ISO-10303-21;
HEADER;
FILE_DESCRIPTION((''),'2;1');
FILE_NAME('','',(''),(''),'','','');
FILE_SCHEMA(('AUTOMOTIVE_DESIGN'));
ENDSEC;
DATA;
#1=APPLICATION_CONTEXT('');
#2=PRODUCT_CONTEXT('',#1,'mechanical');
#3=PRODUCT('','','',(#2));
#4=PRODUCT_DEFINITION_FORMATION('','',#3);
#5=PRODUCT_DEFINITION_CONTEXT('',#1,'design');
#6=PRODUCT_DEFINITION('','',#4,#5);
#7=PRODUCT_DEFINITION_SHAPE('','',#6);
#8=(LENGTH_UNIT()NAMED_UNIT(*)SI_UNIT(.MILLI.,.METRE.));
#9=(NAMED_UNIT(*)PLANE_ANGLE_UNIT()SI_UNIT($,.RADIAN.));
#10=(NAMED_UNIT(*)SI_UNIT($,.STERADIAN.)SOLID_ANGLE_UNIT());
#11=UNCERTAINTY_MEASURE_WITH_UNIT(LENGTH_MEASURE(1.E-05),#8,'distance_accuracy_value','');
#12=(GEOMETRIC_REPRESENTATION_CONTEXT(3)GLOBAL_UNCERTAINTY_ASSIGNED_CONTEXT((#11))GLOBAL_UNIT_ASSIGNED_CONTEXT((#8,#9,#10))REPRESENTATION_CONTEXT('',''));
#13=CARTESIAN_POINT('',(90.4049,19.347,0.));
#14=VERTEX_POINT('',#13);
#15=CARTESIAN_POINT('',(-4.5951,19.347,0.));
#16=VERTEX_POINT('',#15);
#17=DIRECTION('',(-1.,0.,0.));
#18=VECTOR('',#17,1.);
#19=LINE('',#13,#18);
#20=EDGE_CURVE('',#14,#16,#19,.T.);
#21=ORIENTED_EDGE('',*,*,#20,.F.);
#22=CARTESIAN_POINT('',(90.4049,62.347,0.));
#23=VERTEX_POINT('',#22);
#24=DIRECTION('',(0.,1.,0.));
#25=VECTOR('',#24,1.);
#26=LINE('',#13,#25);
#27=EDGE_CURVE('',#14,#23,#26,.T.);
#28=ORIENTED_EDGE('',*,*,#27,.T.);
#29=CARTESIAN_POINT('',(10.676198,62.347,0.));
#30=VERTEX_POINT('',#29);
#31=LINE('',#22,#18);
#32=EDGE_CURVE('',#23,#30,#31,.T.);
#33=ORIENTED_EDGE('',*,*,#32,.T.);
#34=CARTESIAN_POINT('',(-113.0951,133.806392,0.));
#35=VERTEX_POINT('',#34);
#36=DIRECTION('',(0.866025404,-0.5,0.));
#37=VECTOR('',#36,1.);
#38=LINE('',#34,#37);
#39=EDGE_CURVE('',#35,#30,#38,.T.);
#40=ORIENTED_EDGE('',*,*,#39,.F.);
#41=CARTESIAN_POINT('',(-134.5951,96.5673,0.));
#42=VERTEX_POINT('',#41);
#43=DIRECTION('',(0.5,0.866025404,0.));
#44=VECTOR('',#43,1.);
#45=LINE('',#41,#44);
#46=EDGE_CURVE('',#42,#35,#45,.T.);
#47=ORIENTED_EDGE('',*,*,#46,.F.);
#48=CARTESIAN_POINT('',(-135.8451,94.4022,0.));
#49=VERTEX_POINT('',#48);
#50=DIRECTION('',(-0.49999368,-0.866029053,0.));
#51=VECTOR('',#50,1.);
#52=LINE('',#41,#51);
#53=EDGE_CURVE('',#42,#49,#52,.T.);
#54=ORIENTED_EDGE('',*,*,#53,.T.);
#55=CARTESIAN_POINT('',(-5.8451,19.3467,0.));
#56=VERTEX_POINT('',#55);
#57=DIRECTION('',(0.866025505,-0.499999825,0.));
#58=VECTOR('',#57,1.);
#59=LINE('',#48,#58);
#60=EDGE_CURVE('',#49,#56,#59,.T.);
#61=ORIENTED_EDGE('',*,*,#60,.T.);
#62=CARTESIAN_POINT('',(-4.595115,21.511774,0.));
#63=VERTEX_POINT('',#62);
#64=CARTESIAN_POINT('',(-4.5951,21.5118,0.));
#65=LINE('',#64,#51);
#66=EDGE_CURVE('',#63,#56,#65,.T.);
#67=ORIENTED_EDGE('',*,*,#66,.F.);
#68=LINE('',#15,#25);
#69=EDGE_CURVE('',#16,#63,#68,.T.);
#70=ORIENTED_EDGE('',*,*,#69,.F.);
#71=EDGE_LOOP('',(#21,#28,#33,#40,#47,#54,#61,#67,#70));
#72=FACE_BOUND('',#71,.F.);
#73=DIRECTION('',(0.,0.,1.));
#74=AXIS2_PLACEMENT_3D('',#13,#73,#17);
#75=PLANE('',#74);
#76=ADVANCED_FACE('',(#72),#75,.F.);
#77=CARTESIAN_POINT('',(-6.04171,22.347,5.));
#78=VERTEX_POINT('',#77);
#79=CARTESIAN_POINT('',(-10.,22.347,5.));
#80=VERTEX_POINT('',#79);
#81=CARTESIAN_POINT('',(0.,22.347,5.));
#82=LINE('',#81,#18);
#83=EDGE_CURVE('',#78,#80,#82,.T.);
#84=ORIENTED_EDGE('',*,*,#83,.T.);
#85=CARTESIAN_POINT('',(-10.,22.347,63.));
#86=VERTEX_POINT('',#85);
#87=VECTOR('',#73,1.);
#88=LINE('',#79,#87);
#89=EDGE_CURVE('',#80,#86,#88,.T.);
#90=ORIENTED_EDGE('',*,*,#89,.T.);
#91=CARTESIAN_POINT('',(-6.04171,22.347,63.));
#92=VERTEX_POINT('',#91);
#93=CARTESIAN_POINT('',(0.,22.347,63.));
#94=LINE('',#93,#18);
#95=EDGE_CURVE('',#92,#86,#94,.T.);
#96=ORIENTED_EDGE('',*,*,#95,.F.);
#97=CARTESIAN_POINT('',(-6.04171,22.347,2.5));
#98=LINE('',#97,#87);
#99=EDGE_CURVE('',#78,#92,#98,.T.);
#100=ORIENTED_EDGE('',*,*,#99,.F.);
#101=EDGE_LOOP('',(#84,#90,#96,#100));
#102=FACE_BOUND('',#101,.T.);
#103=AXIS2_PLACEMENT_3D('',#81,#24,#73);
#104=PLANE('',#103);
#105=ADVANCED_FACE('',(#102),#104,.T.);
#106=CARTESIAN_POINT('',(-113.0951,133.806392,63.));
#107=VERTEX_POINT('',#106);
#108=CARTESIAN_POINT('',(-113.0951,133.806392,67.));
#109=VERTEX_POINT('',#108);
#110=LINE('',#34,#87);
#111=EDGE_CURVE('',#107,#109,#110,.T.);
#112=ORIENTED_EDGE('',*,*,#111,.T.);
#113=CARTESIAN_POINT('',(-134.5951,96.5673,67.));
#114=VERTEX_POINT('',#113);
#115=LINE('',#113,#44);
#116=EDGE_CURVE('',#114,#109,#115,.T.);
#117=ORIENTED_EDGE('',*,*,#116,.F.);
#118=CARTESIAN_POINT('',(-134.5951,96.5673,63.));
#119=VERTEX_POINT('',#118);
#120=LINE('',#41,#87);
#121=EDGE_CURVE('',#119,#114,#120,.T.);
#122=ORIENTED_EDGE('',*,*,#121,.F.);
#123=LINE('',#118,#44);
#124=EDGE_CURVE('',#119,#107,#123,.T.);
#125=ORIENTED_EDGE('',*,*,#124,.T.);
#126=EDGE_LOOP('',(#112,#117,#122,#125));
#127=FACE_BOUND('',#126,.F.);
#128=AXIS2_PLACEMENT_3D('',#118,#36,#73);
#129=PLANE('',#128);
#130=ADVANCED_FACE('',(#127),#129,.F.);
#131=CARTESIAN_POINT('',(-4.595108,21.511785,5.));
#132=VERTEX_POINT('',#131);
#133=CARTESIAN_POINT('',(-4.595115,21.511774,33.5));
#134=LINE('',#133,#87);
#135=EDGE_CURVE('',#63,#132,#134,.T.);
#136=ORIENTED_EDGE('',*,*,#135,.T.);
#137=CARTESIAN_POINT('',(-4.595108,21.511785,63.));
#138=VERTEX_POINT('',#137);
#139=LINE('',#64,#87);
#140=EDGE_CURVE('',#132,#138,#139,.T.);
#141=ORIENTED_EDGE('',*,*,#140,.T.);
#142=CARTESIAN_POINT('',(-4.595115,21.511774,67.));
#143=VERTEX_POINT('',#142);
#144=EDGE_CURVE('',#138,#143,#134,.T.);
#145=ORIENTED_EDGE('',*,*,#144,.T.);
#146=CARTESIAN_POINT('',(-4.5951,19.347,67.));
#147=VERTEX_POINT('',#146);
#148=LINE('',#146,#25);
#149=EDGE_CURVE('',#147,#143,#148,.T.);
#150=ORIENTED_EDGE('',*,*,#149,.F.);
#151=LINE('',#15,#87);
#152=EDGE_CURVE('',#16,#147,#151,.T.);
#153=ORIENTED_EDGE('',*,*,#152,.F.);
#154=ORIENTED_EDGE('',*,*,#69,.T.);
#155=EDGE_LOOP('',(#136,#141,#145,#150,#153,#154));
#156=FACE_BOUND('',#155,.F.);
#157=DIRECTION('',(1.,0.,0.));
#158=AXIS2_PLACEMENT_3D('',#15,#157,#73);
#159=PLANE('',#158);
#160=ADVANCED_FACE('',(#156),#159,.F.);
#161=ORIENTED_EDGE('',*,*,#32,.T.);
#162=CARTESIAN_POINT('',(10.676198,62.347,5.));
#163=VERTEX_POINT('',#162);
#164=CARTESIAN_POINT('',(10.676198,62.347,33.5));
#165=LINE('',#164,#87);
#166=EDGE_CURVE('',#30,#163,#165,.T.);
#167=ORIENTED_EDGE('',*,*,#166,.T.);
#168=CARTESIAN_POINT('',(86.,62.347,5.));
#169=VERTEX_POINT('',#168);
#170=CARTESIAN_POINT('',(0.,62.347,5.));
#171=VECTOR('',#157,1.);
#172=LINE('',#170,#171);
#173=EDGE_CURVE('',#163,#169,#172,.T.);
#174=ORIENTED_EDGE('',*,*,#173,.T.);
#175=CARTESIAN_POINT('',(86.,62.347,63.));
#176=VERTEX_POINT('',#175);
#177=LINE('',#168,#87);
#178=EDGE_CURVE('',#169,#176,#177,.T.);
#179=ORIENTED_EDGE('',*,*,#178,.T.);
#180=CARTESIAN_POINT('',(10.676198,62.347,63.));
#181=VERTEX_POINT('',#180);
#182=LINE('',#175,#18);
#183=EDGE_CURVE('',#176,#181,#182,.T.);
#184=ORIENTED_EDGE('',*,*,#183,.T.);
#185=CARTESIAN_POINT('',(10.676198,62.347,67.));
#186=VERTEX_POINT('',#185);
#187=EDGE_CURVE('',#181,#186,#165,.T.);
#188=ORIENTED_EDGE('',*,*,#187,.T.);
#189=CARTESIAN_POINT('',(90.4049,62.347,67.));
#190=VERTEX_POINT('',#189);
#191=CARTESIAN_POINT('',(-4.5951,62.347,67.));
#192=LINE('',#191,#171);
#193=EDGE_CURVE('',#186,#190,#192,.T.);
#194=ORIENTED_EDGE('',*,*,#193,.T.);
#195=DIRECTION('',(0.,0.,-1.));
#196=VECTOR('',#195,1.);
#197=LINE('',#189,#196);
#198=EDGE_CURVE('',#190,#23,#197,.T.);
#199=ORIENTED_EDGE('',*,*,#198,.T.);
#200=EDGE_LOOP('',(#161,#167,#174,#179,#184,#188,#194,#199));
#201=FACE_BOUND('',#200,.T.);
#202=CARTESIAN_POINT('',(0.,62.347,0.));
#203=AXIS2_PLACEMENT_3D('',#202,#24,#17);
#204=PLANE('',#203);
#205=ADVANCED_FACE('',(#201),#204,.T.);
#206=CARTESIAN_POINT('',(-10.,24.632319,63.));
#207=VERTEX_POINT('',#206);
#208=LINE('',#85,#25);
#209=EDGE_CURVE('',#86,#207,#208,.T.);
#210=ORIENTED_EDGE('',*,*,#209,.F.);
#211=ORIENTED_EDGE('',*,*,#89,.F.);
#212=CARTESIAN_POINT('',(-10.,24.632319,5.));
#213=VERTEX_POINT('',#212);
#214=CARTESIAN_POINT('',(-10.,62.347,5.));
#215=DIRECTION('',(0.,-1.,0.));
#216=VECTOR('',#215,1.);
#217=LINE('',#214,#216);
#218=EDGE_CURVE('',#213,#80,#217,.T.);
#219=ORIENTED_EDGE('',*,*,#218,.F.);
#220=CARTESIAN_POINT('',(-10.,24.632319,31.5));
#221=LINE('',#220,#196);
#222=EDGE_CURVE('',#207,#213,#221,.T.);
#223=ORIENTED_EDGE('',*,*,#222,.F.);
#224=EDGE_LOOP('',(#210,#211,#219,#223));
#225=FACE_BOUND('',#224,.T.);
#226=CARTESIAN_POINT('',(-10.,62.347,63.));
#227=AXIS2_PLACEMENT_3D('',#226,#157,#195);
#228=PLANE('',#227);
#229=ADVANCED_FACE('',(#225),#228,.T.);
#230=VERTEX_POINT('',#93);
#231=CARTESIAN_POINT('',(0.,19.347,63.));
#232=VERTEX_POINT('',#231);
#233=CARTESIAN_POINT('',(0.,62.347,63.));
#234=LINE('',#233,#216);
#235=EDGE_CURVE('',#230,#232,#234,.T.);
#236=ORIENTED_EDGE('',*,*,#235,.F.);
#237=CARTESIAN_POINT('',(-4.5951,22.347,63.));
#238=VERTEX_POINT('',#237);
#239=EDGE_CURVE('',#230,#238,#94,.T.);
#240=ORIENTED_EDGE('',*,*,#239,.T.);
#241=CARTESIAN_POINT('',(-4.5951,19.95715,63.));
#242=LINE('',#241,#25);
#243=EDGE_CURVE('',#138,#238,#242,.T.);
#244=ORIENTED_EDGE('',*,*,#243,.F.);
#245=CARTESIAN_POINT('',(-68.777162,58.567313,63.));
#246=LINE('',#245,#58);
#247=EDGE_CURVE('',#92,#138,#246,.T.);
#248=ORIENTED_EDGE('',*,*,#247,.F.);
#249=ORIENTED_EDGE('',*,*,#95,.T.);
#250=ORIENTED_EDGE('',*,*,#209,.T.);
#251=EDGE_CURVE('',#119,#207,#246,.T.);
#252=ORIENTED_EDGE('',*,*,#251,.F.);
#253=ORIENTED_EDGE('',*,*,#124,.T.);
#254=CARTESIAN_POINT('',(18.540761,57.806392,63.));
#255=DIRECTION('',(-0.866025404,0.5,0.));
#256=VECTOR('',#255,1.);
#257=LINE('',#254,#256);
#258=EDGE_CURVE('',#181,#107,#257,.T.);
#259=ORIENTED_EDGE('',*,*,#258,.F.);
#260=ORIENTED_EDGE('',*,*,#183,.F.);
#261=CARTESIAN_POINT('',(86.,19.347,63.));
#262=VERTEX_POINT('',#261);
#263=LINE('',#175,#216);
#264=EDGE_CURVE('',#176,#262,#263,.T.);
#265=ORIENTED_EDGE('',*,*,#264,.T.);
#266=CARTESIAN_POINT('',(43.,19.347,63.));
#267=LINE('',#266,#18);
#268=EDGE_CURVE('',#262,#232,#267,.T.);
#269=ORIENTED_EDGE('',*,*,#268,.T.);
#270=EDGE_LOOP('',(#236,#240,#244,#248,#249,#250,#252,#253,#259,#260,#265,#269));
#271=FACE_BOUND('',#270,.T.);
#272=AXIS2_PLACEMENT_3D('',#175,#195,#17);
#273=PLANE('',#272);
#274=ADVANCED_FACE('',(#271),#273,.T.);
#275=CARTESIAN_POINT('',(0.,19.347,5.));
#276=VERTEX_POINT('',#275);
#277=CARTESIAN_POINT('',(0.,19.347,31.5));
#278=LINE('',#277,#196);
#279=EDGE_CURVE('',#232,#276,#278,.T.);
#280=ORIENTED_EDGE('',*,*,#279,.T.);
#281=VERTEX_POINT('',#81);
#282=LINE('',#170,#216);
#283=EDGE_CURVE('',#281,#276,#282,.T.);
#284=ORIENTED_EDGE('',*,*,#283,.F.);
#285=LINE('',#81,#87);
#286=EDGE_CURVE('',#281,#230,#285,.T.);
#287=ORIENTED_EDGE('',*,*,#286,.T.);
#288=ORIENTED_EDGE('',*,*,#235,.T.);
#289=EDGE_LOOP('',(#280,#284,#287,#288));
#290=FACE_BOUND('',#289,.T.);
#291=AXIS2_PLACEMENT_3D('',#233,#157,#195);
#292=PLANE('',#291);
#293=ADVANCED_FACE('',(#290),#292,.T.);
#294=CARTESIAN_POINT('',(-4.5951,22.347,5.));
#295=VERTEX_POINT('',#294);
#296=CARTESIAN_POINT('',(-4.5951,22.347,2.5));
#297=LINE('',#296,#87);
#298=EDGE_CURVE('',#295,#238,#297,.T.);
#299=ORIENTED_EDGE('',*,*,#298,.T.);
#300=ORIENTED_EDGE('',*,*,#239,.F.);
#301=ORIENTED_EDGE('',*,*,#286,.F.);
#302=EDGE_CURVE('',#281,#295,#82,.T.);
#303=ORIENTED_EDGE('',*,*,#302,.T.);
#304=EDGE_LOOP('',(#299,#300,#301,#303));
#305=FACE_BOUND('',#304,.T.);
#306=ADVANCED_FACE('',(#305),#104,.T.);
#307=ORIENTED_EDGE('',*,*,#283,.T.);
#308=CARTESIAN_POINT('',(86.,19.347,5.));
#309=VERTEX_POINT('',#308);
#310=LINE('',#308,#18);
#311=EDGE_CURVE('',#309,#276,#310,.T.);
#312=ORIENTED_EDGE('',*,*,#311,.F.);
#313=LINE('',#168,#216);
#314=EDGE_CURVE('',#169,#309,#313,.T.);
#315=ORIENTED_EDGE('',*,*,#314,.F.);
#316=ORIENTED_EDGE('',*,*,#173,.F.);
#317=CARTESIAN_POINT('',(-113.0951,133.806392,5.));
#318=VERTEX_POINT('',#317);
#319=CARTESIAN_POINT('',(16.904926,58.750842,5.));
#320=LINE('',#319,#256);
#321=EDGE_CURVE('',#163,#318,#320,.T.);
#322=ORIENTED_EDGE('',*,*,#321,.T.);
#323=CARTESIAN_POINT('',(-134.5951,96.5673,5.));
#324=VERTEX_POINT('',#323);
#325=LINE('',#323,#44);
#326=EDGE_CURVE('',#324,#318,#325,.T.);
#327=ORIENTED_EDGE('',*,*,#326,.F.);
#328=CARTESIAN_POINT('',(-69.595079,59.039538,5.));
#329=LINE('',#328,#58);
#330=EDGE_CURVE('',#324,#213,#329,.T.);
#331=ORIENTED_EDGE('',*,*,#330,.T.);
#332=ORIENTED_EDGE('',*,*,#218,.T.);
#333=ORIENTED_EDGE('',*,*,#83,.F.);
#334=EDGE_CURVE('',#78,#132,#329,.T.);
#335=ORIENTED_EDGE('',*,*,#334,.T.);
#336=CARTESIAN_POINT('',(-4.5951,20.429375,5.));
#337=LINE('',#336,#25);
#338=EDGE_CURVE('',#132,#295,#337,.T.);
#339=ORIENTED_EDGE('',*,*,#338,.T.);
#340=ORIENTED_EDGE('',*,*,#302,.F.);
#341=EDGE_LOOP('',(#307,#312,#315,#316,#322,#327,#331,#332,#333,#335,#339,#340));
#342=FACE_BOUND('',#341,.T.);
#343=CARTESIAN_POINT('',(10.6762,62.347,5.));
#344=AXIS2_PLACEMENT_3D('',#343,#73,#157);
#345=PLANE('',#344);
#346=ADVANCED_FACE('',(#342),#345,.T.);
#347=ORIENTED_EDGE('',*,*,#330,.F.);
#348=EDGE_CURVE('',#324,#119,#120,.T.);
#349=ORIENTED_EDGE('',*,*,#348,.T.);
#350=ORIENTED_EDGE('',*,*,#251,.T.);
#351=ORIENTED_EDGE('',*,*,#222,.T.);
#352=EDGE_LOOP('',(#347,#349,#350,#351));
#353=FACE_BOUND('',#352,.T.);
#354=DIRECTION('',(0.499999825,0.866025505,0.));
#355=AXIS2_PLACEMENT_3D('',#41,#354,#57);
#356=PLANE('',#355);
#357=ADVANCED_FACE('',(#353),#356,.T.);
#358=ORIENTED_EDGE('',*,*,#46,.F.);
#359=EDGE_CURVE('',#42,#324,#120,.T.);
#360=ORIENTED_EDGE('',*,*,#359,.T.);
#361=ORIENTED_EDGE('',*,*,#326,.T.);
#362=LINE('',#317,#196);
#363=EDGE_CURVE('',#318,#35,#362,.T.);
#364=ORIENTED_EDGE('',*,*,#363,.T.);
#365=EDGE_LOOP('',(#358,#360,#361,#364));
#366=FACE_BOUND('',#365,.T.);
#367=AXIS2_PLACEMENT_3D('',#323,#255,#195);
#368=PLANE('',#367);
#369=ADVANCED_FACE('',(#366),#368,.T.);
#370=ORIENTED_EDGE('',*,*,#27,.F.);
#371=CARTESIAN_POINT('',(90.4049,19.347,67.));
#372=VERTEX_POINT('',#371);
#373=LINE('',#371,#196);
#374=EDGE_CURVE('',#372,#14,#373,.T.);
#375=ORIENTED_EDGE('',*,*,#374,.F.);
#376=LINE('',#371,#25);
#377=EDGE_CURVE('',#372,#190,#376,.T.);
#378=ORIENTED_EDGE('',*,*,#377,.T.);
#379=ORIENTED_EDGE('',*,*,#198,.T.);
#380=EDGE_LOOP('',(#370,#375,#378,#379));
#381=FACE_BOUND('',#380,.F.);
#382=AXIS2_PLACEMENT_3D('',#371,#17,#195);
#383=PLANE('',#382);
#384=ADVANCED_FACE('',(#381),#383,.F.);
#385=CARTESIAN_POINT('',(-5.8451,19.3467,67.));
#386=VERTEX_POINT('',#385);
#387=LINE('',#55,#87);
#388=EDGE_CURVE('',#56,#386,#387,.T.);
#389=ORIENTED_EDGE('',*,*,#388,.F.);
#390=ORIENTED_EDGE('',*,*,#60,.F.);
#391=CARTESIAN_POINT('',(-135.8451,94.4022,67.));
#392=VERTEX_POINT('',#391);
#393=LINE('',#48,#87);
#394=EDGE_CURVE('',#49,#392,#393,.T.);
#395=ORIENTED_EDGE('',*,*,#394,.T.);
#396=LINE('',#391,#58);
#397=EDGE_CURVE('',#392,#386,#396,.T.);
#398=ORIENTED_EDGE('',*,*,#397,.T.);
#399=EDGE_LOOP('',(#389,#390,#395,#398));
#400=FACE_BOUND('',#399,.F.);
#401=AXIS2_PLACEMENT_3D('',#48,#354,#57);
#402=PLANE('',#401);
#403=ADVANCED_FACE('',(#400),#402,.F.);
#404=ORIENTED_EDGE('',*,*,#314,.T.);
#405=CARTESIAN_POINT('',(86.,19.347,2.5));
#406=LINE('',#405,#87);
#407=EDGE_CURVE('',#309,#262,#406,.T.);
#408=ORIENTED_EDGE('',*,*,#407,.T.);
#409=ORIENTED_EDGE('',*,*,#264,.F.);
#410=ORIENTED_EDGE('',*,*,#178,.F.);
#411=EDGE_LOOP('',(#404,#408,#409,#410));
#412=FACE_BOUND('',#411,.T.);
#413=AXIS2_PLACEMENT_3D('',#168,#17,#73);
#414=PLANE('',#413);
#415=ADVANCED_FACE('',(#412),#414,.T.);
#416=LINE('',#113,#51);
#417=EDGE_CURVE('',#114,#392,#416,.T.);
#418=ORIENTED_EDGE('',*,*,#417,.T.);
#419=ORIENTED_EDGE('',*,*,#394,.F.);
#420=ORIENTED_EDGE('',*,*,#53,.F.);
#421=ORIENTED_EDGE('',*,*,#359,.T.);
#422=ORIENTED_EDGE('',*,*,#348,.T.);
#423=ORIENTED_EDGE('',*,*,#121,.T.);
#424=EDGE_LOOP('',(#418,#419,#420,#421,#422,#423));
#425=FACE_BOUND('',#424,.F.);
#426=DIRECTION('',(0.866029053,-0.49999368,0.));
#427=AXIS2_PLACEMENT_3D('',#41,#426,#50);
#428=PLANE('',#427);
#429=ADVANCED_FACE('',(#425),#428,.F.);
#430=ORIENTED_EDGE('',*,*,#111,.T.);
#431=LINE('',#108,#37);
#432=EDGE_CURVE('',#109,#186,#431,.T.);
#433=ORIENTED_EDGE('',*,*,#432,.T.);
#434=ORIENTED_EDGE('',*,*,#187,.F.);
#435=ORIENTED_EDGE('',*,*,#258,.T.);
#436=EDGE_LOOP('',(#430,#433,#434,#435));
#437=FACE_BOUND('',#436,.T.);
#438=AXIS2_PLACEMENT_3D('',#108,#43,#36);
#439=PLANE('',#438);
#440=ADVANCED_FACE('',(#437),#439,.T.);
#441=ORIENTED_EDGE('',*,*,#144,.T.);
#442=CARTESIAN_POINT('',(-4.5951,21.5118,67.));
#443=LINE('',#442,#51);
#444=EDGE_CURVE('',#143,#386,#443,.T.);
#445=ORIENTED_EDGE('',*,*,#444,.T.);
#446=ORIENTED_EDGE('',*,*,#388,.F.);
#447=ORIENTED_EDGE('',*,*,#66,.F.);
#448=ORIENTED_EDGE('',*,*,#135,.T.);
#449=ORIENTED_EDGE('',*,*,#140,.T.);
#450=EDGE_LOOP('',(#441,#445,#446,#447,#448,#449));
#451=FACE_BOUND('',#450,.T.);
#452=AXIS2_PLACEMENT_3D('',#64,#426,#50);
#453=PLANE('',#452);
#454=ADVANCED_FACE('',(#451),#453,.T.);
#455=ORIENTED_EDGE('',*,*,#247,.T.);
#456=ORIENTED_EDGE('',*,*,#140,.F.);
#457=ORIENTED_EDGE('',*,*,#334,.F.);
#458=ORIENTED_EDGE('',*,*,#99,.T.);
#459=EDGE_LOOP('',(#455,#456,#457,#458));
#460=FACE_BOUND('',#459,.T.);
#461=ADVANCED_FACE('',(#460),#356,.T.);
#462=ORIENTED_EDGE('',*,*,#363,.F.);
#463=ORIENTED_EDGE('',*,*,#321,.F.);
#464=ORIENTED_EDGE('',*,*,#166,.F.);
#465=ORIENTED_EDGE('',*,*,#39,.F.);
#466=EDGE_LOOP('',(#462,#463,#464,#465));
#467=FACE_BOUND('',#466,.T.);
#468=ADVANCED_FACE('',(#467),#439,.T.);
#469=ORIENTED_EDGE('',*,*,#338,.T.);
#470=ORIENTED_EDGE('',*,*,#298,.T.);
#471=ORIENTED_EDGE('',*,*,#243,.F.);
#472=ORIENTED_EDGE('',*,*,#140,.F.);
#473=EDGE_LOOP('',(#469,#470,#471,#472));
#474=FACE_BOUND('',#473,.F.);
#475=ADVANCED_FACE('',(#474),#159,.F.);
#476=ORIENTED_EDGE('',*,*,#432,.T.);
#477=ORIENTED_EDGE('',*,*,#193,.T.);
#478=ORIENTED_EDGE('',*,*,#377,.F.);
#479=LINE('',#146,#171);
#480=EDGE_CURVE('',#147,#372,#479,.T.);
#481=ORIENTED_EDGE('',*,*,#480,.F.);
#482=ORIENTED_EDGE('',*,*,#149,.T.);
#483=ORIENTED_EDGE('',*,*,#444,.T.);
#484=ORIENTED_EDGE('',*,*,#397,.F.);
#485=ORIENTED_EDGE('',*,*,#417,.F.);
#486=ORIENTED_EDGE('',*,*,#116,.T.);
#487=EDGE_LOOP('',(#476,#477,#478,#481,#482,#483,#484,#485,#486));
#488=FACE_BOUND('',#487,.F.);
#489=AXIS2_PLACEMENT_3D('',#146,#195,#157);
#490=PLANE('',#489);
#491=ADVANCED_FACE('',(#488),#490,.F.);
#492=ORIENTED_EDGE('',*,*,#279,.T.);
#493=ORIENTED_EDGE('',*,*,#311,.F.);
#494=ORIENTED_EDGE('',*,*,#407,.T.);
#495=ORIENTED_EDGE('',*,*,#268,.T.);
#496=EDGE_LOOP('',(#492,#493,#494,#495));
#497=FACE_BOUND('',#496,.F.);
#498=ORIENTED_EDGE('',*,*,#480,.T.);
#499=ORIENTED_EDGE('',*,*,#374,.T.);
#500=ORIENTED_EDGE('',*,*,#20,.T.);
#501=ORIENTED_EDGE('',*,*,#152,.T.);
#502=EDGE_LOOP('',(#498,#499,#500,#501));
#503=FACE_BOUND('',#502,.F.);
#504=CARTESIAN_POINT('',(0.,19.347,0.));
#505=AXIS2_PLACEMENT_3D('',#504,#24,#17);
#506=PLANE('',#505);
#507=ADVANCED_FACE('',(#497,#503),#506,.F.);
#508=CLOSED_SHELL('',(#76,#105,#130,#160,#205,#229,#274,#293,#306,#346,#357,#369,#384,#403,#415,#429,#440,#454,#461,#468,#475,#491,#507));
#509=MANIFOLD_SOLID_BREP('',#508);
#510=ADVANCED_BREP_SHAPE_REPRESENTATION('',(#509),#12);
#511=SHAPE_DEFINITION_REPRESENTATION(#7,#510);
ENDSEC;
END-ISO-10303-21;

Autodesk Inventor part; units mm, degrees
ref_plane "YZ Plane" through (0, 0, 0) normal (1, 0, 0) x (0, 1, 0)
ref_plane "XY Plane" through (0, 0, 0) normal (0, 0, 1) x (1, 0, 0)
sketch "Sketch1" plane through (0, 0, 0) normal (0, 0, 1) x (1, 0, 0)
  line L0 (-135.8451, 94.4022) -> (-5.8451, 19.3467)
  line L1 (-134.5951, 96.5673) -> (-4.5951, 21.5118)
  line L2 (-4.5951, 21.5118) -> (-5.8451, 19.3467)
  line L3 (-134.5951, 96.5673) -> (-135.8451, 94.4022)
  line L4 (-164.6473, 0) -> (36.9683, 0) projected
  point P0 (0, 0)
  dimension "d0" = 2.5
  dimension "d3" = 130
  dimension "d4" = 30
extrude "Extrusion1" add sketch "Sketch1" along normal blind 67
sketch "Sketch2" plane through (-134.5951, 96.5673, 67) normal (0.5, 0.866, 0) x (0.866, -0.5, 0)
  point P0 (164.8464, 67)
sketch "Sketch4" plane through (0, 0, 67) normal (0, 0, 1) x (1, 0, 0)
  point P0 (0, 0)
sketch "Sketch5" plane through (-134.5951, 96.5673, 67) normal (0.5, 0.866, 0) x (0.866, -0.5, 0)
  line L0 (0, 67) -> (0, 0) projected
  line L1 (0, 0) -> (152, 0)
  line L2 (152, 0) -> (152, 4)
  line L3 (152, 4) -> (0, 4)
  line L4 (0, 4) -> (0, 0)
  point P0 (164.8464, 67)
  point P1 (0, 4)
sketch "Sketch6" plane through (-134.5951, 96.5673, 67) normal (0.5, 0.866, 0) x (0.866, -0.5, 0)
  line L0 (0, 67) -> (150.1111, 67) projected
  line L1 (0, 67) -> (150.1111, 67)
  line L2 (150.1111, 67) -> (150.1111, 62)
  line L3 (150.1111, 62) -> (0, 62)
  line L4 (0, 62) -> (0, 67)
  point P0 (164.8464, 67)
extrude "Extrusion2" add sketch "Sketch5" along normal blind 43
extrude "Extrusion3" add sketch "Sketch6" along normal blind 43
ref_plane "Work Plane1" through (0, 19.347, 0) normal (0, 1, 0) x (-1, 0, 0)
sketch "Sketch8" plane through (0, 19.347, 0) normal (0, 1, 0) x (-1, 0, 0)
  line L0 (5.8451, 67) -> (4.5951, 67) projected
  line L1 (4.5951, 67) -> (-90.4049, 67)
  line L2 (-90.4049, 67) -> (-90.4049, 0)
  line L3 (-90.4049, 0) -> (4.5951, 0)
  line L4 (4.5951, 0) -> (4.5951, 67)
  point P0 (0, 0)
  dimension "d10" = 95
extrude "Extrusion4" add sketch "Sketch8" along normal blind 43
sketch "Sketch9" plane through (0, 62.347, 0) normal (0, 1, 0) x (1, 0, 0)
  line L0 (-113.0951, -5) -> (10.6762, -5) projected
  line L1 (0, -5) -> (86, -5)
  line L2 (86, -5) -> (86, -63)
  line L3 (86, -63) -> (0, -63)
  line L4 (0, -63) -> (0, -5)
  point P0 (0, 0)
extrude "Extrusion5" cut sketch "Sketch9" against normal through all
sketch "Sketch12" plane through (0, 62.347, 63) normal (1, 0, 0) x (0, 0, -1)
  line L0 (-4, 0) -> (0, 0) projected
  line L1 (58, 0) -> (58, -43) projected
  line L2 (0, 0) -> (58, 0)
  line L3 (58, 0) -> (58, -40)
  line L4 (58, -40) -> (0, -40)
  line L5 (0, -40) -> (0, 0)
  point P0 (63, -62.347)
extrude "Extrusion6" cut sketch "Sketch12" against normal blind 10
properties part number "channel"
